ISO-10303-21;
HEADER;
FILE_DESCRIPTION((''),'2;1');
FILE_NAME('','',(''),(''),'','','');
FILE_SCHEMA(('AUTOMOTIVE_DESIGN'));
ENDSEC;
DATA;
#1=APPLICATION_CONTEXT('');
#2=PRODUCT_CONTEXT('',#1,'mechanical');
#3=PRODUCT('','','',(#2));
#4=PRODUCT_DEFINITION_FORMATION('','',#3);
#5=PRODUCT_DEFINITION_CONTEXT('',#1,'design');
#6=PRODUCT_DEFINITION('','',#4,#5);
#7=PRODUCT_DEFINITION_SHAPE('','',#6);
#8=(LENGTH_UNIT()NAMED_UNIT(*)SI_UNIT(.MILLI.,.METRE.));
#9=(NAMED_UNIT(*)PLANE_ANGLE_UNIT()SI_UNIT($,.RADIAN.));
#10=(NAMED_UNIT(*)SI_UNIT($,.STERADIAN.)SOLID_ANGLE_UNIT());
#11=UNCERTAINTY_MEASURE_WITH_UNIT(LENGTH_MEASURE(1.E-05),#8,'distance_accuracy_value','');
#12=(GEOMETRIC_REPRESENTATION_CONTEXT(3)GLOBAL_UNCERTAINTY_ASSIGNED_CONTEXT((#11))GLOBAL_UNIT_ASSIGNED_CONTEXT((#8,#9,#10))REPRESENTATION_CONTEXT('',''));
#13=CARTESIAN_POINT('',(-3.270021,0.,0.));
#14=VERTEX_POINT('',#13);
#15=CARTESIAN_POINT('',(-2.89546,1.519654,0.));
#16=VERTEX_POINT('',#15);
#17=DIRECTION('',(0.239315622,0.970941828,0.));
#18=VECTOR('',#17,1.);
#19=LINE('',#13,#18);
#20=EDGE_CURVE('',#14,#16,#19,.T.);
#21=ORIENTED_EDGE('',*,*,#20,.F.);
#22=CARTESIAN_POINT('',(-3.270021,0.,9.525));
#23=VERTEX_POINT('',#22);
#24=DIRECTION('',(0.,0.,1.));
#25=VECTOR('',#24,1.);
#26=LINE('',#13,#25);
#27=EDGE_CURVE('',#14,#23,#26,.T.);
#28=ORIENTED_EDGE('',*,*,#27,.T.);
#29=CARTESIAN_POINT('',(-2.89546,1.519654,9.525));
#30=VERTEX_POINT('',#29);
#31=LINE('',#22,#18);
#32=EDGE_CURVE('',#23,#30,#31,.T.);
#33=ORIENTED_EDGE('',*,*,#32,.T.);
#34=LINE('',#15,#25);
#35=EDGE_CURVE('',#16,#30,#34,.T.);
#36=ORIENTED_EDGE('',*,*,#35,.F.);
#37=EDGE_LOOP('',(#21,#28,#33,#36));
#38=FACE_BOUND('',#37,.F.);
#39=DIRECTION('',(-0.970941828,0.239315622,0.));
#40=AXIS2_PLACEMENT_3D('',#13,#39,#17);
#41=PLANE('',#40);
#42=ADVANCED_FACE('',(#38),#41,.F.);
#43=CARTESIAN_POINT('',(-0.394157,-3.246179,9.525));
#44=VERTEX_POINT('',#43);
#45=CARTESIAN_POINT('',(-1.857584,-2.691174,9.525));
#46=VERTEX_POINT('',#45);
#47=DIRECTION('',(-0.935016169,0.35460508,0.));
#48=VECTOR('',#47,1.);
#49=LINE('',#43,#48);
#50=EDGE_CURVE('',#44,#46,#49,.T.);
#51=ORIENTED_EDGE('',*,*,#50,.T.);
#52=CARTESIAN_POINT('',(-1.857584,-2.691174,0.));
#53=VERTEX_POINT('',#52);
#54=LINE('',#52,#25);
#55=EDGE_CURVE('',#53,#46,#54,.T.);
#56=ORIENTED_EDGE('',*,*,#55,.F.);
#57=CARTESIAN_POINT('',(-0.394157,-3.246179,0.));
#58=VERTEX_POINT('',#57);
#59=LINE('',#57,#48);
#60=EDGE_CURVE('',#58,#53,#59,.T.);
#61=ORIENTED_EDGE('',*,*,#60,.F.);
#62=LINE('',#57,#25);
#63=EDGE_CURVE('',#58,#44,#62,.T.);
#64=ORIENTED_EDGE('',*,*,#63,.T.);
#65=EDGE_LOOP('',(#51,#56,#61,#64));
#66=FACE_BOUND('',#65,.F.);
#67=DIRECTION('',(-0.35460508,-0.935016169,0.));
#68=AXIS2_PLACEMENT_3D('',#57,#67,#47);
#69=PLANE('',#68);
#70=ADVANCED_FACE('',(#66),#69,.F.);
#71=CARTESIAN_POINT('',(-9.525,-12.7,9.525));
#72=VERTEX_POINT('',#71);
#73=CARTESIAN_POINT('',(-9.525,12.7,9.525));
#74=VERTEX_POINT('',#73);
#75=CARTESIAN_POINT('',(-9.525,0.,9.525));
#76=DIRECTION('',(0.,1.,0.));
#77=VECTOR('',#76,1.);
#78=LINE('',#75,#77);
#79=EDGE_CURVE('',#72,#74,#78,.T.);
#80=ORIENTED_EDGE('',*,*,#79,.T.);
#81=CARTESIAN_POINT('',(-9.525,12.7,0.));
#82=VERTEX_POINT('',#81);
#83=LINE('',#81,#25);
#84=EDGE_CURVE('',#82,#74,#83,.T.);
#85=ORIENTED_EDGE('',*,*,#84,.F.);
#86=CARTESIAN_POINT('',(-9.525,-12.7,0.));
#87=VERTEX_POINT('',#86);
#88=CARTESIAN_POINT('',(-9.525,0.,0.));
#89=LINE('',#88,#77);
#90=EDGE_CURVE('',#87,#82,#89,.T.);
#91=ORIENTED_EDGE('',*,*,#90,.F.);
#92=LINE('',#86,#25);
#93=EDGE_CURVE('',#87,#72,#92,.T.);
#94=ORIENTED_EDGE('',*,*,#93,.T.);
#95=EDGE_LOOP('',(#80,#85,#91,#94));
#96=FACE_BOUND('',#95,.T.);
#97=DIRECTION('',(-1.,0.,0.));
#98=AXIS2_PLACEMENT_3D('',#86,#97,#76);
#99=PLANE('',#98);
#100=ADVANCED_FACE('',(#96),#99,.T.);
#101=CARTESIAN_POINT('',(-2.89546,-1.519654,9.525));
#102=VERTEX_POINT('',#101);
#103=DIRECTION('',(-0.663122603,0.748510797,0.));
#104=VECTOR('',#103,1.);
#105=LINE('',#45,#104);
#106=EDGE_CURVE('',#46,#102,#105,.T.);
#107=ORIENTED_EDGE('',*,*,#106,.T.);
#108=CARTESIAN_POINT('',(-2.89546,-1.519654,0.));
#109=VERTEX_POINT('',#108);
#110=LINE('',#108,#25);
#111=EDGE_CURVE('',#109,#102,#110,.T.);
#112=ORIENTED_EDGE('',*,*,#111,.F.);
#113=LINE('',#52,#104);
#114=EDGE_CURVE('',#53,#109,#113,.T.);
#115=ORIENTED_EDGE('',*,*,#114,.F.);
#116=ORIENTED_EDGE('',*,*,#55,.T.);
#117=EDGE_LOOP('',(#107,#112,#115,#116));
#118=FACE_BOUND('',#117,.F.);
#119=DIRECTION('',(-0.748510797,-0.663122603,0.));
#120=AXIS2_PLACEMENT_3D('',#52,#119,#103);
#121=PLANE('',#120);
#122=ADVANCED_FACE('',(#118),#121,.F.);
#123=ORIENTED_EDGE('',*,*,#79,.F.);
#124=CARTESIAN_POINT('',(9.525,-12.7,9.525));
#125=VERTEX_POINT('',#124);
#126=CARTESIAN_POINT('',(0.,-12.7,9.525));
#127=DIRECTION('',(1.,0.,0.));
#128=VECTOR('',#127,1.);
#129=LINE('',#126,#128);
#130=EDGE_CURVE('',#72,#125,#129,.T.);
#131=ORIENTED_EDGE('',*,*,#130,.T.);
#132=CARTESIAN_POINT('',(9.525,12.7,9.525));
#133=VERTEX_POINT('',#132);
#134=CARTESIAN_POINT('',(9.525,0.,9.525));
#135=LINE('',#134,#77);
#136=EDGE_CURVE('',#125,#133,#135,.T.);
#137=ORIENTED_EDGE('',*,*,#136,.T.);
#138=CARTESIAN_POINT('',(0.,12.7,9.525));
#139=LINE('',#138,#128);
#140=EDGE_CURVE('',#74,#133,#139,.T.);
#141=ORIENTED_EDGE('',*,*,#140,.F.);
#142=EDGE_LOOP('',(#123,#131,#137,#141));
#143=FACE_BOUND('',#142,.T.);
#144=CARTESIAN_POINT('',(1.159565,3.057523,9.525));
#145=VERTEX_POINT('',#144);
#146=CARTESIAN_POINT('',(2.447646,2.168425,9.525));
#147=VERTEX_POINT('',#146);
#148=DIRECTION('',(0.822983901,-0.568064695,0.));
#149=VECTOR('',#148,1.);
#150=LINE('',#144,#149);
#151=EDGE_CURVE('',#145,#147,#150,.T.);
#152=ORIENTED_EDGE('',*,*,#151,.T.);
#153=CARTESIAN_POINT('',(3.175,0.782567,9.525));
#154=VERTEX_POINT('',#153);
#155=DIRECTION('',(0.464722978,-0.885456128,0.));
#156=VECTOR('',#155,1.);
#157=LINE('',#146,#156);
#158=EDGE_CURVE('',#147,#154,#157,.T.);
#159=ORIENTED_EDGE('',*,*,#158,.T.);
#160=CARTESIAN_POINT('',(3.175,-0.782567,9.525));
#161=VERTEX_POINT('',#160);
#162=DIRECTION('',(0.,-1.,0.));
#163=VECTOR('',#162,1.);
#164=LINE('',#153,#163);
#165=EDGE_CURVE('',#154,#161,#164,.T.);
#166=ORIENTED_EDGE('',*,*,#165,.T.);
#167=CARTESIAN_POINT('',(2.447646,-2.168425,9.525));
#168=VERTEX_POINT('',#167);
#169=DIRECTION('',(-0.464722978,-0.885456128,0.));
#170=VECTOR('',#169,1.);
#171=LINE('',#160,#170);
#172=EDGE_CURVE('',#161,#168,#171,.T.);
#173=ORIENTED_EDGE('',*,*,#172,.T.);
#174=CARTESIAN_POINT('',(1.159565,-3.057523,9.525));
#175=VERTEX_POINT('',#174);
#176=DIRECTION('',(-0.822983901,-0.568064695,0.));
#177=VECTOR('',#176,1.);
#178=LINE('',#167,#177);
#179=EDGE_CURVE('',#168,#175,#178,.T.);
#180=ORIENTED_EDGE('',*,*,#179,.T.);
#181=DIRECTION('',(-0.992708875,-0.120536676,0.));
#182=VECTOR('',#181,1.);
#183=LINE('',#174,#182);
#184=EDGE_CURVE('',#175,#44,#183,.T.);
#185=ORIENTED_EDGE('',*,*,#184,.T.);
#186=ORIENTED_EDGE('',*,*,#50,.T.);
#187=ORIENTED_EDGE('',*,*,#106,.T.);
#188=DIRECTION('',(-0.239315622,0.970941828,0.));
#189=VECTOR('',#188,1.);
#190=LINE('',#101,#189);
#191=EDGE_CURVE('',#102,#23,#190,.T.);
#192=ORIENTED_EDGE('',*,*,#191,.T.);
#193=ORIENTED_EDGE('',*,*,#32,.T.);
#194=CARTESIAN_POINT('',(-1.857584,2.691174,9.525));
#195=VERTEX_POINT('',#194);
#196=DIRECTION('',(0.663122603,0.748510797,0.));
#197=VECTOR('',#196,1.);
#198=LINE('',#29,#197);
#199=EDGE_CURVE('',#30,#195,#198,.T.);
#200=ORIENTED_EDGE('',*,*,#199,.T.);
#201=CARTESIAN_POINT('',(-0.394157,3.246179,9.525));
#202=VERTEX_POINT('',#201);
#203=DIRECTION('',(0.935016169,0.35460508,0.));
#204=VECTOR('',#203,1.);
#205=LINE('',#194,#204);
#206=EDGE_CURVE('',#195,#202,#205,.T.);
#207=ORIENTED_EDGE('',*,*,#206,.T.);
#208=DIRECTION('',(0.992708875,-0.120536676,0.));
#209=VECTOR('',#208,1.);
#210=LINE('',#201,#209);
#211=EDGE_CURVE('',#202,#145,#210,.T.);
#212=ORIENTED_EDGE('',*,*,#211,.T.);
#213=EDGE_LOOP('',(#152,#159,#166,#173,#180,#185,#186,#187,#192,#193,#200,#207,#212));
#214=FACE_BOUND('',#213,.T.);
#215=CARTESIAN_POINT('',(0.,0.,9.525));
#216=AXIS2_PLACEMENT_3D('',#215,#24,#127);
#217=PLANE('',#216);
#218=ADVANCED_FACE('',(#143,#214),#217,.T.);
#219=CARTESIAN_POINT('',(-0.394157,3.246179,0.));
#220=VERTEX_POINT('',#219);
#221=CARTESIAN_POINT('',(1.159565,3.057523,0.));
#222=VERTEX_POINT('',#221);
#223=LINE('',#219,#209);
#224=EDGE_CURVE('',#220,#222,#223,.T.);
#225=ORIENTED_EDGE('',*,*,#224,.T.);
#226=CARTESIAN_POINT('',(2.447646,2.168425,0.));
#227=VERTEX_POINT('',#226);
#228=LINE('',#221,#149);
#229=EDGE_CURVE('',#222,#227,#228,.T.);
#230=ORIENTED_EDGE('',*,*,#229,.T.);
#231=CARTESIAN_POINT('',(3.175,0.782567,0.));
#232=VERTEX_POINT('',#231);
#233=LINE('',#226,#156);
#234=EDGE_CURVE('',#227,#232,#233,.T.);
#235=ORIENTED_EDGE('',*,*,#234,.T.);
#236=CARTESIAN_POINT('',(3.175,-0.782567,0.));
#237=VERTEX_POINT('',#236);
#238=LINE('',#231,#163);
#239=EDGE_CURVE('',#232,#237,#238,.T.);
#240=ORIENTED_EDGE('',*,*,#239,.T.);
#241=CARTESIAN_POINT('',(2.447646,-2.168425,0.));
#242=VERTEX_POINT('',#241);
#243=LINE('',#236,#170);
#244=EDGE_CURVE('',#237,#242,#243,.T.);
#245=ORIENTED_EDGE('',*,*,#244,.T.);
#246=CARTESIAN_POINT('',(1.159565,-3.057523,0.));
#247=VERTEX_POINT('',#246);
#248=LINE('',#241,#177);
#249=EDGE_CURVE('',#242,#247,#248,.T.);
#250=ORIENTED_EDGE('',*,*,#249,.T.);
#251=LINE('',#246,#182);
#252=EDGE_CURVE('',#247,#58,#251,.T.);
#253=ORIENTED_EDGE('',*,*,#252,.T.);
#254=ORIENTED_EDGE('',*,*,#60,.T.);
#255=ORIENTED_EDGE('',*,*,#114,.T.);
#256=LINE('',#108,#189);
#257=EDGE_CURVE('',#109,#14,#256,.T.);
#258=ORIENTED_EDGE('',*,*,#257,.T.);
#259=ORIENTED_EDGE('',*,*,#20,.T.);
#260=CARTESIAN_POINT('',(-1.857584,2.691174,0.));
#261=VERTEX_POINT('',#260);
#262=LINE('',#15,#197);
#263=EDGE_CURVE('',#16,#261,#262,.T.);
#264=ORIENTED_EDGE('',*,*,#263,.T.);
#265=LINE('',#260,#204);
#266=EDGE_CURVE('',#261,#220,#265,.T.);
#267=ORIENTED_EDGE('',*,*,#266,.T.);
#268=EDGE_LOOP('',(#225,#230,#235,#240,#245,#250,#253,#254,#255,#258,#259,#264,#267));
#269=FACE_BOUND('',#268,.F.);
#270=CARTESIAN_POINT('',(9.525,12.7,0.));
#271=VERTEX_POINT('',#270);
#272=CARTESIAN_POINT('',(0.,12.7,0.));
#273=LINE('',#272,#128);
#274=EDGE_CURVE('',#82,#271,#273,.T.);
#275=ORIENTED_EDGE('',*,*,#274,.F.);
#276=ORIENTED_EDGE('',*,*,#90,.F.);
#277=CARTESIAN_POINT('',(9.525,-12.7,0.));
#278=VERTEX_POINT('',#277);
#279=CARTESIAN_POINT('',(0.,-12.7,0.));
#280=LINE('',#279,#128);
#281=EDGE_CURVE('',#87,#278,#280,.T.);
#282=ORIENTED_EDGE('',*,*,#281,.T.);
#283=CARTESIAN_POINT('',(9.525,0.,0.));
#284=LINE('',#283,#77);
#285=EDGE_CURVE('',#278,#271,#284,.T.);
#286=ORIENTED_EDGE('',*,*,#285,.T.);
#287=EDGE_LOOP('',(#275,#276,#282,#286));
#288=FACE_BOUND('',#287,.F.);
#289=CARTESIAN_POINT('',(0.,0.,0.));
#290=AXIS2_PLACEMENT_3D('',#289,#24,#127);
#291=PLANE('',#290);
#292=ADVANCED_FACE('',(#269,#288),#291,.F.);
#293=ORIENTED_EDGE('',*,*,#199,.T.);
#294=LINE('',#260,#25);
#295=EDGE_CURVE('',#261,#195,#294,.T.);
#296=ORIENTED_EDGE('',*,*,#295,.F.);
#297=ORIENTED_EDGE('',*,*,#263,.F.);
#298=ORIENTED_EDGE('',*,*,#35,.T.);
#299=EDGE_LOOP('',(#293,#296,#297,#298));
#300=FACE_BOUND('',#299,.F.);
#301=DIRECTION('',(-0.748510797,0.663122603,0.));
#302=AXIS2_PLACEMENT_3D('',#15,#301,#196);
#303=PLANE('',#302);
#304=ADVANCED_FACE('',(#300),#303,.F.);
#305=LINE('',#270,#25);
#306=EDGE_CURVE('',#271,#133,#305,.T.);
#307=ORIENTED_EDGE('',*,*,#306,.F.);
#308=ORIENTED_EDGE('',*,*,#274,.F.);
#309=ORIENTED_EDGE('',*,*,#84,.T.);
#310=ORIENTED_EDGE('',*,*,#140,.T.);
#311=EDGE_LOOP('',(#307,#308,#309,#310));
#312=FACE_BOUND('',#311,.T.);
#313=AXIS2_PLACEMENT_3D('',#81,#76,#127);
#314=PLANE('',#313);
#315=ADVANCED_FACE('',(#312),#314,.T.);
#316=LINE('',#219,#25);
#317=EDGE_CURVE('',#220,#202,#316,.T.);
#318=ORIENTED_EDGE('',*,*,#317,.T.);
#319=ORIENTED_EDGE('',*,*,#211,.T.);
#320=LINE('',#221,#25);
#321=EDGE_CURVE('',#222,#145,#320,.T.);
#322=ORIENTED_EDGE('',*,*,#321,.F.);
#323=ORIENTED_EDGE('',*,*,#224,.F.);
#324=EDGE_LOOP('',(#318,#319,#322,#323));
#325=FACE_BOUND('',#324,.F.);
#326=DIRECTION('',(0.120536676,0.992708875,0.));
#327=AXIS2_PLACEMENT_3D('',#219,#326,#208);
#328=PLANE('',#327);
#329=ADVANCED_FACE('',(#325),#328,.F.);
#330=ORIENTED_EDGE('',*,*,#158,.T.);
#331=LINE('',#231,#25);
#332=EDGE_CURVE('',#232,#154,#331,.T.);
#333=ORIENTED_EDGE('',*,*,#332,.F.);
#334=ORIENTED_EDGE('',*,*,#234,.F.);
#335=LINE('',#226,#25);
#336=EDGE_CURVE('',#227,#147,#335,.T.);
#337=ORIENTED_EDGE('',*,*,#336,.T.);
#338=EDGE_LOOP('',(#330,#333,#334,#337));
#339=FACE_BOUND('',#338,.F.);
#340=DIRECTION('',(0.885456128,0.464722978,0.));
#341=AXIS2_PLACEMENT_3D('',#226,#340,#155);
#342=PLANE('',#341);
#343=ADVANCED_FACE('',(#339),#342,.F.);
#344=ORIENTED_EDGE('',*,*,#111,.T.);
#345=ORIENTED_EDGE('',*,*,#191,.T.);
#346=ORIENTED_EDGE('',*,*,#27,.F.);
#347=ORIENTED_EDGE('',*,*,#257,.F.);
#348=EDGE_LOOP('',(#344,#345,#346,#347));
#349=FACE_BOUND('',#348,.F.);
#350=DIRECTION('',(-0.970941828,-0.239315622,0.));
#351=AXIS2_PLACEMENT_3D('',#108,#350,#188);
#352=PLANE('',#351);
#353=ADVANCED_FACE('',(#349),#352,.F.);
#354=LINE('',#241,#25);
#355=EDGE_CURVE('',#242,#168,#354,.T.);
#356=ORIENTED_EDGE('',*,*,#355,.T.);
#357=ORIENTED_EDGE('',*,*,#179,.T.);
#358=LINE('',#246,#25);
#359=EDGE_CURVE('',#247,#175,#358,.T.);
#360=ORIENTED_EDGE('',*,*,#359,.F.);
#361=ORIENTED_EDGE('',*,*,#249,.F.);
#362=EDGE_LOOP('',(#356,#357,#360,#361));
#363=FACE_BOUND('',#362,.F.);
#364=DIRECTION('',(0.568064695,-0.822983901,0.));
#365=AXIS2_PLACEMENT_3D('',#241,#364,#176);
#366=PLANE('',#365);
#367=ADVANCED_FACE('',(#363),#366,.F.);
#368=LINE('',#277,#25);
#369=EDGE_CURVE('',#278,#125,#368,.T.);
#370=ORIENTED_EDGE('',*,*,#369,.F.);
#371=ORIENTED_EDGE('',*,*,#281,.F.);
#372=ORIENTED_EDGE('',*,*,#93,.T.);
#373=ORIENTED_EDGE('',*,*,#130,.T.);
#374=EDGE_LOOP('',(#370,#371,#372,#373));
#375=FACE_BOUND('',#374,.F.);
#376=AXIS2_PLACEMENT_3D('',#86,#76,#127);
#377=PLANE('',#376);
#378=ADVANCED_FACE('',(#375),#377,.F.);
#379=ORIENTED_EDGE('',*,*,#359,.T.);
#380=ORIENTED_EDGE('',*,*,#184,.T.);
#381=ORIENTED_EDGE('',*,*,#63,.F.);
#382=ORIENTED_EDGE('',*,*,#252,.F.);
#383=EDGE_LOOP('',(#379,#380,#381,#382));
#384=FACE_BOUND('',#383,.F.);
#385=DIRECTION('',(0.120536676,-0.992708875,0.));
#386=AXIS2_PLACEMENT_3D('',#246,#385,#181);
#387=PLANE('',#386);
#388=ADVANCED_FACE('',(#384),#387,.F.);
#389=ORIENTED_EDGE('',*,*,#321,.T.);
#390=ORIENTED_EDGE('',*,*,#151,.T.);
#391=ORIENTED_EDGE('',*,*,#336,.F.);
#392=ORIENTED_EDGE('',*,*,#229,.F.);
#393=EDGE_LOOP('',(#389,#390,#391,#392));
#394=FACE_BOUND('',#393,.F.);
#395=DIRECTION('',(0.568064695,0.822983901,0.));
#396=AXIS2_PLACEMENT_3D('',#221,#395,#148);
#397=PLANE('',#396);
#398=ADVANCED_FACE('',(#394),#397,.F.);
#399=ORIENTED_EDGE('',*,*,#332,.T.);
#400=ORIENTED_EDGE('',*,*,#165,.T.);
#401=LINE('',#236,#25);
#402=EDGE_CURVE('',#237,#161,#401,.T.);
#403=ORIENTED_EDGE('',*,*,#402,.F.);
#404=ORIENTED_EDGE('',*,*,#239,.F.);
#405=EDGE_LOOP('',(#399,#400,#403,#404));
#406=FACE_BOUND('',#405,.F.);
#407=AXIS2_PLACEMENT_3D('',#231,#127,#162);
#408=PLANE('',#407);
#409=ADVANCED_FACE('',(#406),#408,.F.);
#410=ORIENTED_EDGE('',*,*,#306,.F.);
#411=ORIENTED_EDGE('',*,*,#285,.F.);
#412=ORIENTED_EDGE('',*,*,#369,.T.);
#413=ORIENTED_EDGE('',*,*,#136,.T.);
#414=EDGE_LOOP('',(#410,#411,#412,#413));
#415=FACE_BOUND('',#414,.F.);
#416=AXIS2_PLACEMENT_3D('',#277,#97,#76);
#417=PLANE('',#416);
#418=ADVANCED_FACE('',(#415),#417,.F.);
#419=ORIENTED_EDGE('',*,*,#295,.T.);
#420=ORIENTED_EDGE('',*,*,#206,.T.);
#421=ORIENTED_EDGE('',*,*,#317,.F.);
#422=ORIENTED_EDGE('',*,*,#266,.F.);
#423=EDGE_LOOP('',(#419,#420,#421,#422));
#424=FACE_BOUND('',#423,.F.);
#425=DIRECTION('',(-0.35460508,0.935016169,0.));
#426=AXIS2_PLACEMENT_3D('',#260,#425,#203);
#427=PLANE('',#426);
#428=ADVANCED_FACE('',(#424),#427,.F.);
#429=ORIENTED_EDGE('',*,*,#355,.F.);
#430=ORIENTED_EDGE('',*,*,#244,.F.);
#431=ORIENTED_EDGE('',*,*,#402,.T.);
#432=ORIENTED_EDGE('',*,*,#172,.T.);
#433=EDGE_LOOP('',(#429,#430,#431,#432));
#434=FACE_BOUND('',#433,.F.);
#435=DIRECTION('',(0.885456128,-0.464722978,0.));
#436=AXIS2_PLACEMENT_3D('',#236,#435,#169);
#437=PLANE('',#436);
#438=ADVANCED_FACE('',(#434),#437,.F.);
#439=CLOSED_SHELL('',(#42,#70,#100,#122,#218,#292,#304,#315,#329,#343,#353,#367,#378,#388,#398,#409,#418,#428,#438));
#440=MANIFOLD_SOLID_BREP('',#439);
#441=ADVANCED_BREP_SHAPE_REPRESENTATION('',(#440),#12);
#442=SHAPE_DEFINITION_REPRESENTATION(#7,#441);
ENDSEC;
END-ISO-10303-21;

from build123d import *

# Parameters (mm, degrees)
F0_W     = 19.05
F0_H     = 25.4
F1_DEPTH = 9.525


with BuildPart() as f1:
    # F0 (on Top) → F1 (new body)
    with BuildSketch(Plane.XY):
        Rectangle(F0_W, F0_H)
        Polygon((2.447646, 2.168425), (3.175, 0.782567), (3.175, -0.782567), (2.447646, -2.168425), (1.159565, -3.057523), (-0.394157, -3.246179), (-1.857584, -2.691174), (-2.89546, -1.519654), (-3.270021, 0), (-2.89546, 1.519654), (-1.857584, 2.691174), (-0.394157, 3.246179), (1.159565, 3.057523), align=None, mode=Mode.SUBTRACT)
    extrude(amount=F1_DEPTH)


solid = f1.part
